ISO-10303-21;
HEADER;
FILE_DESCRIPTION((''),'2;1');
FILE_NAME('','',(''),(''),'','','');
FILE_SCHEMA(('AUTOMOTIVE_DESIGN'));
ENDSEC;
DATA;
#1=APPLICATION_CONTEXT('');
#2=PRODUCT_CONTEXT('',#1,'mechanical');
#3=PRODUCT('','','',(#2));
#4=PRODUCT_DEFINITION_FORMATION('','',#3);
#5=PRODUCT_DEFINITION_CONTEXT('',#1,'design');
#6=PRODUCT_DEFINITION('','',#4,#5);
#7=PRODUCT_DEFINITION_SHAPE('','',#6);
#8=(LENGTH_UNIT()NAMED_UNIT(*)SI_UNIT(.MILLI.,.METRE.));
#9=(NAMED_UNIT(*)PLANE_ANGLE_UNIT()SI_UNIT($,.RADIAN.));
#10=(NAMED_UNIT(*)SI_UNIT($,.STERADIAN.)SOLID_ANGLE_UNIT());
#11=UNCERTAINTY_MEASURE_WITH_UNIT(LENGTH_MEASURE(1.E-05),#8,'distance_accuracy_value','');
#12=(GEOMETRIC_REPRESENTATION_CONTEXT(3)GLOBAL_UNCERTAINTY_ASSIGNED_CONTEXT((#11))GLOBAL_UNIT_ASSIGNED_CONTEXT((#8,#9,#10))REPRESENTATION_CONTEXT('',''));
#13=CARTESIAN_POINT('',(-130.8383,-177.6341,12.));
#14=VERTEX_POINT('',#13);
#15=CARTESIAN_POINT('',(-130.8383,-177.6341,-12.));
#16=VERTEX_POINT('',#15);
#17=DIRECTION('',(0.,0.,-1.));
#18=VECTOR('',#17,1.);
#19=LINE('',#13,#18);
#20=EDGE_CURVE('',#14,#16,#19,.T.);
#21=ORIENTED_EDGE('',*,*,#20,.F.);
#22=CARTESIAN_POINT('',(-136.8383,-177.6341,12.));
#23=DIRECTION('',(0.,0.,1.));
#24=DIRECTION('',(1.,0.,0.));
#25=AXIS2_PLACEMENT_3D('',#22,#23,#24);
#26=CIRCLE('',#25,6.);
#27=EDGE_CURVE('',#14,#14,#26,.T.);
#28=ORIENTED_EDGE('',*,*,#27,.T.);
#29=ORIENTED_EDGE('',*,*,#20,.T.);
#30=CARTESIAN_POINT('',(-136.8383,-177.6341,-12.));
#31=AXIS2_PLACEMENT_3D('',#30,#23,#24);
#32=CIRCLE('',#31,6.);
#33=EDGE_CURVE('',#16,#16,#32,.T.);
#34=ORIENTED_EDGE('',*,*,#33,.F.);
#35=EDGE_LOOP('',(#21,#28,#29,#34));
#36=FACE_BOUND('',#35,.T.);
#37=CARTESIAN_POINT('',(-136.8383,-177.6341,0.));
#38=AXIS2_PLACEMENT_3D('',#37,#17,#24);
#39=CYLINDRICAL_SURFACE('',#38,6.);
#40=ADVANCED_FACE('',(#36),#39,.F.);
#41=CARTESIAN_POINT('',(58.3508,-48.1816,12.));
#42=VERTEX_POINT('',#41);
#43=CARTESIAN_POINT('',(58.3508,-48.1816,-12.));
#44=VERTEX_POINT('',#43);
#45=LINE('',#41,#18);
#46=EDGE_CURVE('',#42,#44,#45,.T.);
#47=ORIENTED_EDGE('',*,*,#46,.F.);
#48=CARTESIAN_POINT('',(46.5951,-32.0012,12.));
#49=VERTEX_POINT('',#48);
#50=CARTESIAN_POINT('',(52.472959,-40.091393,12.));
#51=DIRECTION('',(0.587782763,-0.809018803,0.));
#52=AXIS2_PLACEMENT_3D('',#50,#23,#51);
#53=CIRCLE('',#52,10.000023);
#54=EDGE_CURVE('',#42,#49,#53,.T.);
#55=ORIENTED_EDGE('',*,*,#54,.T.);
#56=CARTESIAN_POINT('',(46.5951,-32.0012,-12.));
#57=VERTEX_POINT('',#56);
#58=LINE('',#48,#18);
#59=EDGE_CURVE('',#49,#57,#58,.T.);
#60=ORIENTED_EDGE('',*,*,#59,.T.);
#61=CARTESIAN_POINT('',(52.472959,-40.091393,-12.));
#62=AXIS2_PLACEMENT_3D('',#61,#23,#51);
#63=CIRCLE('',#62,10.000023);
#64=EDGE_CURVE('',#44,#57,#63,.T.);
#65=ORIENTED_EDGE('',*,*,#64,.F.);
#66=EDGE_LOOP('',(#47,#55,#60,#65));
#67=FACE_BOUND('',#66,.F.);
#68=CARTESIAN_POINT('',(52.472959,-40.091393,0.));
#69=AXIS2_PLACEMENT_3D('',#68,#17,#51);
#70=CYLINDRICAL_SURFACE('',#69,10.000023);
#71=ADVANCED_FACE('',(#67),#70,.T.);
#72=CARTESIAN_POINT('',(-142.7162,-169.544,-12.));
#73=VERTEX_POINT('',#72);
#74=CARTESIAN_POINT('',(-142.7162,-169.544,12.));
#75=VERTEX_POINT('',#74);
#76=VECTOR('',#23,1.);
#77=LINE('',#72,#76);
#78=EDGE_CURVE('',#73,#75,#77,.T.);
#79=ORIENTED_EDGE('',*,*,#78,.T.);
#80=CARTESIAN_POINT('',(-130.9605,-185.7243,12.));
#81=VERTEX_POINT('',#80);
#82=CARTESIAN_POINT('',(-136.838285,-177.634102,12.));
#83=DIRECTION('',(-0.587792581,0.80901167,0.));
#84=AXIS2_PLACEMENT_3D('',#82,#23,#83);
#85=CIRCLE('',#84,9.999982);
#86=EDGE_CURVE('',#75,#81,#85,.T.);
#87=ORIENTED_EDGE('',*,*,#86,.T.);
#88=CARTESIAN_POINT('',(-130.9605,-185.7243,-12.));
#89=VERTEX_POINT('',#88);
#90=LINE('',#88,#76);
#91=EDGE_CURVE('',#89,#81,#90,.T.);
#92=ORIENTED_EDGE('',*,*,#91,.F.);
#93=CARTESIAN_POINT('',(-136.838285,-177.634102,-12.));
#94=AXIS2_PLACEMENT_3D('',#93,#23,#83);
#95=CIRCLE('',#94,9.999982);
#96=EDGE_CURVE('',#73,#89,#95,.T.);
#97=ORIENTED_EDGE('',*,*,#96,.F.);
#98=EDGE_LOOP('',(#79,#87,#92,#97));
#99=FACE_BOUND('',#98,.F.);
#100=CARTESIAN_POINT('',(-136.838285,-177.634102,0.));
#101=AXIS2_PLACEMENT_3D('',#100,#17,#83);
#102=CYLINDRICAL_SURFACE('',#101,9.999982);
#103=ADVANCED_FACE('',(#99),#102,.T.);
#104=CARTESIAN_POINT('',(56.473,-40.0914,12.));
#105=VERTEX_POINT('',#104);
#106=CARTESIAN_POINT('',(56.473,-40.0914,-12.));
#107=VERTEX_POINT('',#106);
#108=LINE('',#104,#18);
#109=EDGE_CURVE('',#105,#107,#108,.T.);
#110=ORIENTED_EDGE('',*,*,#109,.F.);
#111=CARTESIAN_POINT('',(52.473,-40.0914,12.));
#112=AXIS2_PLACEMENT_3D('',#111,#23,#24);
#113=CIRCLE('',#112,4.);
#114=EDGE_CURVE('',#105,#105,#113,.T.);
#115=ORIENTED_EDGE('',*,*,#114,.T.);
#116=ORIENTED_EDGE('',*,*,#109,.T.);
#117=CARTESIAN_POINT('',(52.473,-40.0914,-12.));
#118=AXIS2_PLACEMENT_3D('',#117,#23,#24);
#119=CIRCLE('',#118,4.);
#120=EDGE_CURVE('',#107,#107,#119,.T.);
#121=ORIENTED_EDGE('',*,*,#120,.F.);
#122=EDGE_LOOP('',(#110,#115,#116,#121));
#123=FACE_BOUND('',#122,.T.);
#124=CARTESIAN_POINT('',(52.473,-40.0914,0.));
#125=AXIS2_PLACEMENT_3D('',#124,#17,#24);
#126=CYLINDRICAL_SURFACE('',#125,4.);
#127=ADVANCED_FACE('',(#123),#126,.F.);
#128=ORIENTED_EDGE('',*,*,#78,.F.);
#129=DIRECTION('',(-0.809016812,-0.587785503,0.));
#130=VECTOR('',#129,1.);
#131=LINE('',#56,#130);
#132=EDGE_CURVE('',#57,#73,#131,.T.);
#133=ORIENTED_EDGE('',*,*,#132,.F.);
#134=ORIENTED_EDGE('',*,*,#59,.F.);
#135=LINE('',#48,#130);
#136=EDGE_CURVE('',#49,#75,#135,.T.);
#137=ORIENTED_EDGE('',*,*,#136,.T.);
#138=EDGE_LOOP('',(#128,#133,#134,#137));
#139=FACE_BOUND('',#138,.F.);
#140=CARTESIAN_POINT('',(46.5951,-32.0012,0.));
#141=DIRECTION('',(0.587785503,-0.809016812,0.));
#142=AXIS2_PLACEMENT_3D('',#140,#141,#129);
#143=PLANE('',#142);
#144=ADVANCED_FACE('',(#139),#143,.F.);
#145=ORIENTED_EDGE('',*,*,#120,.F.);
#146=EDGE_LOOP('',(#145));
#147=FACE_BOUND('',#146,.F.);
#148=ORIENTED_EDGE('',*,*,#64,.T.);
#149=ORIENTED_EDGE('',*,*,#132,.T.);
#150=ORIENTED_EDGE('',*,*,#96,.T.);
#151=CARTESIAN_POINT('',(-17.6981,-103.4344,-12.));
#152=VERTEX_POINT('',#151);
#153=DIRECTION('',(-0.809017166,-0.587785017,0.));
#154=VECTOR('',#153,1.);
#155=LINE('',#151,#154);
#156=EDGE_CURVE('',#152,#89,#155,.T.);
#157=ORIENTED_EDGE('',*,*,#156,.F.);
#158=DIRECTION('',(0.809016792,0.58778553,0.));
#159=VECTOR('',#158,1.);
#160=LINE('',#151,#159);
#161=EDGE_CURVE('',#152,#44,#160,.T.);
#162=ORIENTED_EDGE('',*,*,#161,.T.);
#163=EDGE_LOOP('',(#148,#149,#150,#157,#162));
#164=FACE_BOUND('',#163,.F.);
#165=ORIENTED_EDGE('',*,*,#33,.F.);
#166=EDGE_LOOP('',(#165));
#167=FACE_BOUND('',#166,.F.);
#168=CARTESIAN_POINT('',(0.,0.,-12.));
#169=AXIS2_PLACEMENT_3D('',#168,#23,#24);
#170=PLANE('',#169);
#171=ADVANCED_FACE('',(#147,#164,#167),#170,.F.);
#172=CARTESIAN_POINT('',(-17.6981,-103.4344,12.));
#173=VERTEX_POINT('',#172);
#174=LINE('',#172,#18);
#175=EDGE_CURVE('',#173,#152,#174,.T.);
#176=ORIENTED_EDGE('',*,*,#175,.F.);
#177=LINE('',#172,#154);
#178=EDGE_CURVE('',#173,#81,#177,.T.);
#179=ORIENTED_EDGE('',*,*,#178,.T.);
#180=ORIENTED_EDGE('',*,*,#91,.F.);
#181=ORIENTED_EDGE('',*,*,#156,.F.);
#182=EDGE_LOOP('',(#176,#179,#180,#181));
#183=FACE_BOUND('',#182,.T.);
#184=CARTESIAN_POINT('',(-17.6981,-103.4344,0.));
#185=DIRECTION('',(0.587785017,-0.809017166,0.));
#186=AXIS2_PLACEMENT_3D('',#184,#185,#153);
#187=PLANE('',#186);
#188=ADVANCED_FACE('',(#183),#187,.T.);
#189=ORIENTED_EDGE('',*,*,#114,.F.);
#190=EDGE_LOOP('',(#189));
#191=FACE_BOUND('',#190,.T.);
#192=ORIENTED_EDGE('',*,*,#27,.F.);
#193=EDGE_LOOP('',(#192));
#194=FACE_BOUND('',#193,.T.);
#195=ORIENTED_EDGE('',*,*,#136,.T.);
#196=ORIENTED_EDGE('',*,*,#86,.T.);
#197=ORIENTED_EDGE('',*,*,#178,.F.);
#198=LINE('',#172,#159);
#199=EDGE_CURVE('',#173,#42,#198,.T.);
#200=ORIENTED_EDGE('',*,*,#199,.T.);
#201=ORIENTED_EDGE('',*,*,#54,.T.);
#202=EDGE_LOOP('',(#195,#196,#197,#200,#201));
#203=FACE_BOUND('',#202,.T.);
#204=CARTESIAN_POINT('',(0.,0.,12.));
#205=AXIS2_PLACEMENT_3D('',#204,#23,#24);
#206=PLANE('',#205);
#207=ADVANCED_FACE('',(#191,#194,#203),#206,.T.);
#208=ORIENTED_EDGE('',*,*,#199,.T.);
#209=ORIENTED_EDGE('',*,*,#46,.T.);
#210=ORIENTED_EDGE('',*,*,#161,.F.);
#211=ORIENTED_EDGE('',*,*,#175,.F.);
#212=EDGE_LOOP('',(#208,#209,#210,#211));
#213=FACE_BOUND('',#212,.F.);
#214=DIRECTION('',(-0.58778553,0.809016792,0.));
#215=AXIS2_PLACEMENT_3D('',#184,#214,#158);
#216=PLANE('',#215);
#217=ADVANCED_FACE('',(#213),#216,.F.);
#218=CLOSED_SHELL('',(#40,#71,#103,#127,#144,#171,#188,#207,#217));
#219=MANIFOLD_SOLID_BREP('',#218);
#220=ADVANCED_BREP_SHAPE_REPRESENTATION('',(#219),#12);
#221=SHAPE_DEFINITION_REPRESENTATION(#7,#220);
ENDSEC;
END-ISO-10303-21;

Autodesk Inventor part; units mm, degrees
ref_plane "YZ Plane" through (0, 0, 0) normal (1, 0, 0) x (0, 1, 0)
ref_plane "XZ Plane" through (0, 0, 0) normal (0, 1, 0) x (-1, 0, 0)
ref_plane "XY Plane" through (0, 0, 0) normal (0, 0, 1) x (1, 0, 0)
sketch "Sketch1" plane through (0, 0, 0) normal (0, 0, 1) x (1, 0, 0)
  arc A0 (-142.7162, -169.544) -> (-130.9605, -185.7243) centre (-136.8383, -177.6341) ccw
  line L0 (-17.6981, -103.4344) -> (-130.9605, -185.7243)
  line L1 (46.5951, -32.0012) -> (-142.7162, -169.544)
  line L2 (-17.6981, -103.4344) -> (58.3508, -48.1816)
  arc A1 (58.3508, -48.1816) -> (46.5951, -32.0012) centre (52.473, -40.0914) ccw
  circle A2 centre (52.473, -40.0914) radius 4
  circle A3 centre (-136.8383, -177.6341) radius 6
  point P0 (0, 0)
  point P1 (0, 0)
  dimension "d0" = 8
  dimension "d3" = 12
extrude "Extrusion1" add sketch "Sketch1" along normal mid plane 24
properties part number "Second part of arm of gripper"
